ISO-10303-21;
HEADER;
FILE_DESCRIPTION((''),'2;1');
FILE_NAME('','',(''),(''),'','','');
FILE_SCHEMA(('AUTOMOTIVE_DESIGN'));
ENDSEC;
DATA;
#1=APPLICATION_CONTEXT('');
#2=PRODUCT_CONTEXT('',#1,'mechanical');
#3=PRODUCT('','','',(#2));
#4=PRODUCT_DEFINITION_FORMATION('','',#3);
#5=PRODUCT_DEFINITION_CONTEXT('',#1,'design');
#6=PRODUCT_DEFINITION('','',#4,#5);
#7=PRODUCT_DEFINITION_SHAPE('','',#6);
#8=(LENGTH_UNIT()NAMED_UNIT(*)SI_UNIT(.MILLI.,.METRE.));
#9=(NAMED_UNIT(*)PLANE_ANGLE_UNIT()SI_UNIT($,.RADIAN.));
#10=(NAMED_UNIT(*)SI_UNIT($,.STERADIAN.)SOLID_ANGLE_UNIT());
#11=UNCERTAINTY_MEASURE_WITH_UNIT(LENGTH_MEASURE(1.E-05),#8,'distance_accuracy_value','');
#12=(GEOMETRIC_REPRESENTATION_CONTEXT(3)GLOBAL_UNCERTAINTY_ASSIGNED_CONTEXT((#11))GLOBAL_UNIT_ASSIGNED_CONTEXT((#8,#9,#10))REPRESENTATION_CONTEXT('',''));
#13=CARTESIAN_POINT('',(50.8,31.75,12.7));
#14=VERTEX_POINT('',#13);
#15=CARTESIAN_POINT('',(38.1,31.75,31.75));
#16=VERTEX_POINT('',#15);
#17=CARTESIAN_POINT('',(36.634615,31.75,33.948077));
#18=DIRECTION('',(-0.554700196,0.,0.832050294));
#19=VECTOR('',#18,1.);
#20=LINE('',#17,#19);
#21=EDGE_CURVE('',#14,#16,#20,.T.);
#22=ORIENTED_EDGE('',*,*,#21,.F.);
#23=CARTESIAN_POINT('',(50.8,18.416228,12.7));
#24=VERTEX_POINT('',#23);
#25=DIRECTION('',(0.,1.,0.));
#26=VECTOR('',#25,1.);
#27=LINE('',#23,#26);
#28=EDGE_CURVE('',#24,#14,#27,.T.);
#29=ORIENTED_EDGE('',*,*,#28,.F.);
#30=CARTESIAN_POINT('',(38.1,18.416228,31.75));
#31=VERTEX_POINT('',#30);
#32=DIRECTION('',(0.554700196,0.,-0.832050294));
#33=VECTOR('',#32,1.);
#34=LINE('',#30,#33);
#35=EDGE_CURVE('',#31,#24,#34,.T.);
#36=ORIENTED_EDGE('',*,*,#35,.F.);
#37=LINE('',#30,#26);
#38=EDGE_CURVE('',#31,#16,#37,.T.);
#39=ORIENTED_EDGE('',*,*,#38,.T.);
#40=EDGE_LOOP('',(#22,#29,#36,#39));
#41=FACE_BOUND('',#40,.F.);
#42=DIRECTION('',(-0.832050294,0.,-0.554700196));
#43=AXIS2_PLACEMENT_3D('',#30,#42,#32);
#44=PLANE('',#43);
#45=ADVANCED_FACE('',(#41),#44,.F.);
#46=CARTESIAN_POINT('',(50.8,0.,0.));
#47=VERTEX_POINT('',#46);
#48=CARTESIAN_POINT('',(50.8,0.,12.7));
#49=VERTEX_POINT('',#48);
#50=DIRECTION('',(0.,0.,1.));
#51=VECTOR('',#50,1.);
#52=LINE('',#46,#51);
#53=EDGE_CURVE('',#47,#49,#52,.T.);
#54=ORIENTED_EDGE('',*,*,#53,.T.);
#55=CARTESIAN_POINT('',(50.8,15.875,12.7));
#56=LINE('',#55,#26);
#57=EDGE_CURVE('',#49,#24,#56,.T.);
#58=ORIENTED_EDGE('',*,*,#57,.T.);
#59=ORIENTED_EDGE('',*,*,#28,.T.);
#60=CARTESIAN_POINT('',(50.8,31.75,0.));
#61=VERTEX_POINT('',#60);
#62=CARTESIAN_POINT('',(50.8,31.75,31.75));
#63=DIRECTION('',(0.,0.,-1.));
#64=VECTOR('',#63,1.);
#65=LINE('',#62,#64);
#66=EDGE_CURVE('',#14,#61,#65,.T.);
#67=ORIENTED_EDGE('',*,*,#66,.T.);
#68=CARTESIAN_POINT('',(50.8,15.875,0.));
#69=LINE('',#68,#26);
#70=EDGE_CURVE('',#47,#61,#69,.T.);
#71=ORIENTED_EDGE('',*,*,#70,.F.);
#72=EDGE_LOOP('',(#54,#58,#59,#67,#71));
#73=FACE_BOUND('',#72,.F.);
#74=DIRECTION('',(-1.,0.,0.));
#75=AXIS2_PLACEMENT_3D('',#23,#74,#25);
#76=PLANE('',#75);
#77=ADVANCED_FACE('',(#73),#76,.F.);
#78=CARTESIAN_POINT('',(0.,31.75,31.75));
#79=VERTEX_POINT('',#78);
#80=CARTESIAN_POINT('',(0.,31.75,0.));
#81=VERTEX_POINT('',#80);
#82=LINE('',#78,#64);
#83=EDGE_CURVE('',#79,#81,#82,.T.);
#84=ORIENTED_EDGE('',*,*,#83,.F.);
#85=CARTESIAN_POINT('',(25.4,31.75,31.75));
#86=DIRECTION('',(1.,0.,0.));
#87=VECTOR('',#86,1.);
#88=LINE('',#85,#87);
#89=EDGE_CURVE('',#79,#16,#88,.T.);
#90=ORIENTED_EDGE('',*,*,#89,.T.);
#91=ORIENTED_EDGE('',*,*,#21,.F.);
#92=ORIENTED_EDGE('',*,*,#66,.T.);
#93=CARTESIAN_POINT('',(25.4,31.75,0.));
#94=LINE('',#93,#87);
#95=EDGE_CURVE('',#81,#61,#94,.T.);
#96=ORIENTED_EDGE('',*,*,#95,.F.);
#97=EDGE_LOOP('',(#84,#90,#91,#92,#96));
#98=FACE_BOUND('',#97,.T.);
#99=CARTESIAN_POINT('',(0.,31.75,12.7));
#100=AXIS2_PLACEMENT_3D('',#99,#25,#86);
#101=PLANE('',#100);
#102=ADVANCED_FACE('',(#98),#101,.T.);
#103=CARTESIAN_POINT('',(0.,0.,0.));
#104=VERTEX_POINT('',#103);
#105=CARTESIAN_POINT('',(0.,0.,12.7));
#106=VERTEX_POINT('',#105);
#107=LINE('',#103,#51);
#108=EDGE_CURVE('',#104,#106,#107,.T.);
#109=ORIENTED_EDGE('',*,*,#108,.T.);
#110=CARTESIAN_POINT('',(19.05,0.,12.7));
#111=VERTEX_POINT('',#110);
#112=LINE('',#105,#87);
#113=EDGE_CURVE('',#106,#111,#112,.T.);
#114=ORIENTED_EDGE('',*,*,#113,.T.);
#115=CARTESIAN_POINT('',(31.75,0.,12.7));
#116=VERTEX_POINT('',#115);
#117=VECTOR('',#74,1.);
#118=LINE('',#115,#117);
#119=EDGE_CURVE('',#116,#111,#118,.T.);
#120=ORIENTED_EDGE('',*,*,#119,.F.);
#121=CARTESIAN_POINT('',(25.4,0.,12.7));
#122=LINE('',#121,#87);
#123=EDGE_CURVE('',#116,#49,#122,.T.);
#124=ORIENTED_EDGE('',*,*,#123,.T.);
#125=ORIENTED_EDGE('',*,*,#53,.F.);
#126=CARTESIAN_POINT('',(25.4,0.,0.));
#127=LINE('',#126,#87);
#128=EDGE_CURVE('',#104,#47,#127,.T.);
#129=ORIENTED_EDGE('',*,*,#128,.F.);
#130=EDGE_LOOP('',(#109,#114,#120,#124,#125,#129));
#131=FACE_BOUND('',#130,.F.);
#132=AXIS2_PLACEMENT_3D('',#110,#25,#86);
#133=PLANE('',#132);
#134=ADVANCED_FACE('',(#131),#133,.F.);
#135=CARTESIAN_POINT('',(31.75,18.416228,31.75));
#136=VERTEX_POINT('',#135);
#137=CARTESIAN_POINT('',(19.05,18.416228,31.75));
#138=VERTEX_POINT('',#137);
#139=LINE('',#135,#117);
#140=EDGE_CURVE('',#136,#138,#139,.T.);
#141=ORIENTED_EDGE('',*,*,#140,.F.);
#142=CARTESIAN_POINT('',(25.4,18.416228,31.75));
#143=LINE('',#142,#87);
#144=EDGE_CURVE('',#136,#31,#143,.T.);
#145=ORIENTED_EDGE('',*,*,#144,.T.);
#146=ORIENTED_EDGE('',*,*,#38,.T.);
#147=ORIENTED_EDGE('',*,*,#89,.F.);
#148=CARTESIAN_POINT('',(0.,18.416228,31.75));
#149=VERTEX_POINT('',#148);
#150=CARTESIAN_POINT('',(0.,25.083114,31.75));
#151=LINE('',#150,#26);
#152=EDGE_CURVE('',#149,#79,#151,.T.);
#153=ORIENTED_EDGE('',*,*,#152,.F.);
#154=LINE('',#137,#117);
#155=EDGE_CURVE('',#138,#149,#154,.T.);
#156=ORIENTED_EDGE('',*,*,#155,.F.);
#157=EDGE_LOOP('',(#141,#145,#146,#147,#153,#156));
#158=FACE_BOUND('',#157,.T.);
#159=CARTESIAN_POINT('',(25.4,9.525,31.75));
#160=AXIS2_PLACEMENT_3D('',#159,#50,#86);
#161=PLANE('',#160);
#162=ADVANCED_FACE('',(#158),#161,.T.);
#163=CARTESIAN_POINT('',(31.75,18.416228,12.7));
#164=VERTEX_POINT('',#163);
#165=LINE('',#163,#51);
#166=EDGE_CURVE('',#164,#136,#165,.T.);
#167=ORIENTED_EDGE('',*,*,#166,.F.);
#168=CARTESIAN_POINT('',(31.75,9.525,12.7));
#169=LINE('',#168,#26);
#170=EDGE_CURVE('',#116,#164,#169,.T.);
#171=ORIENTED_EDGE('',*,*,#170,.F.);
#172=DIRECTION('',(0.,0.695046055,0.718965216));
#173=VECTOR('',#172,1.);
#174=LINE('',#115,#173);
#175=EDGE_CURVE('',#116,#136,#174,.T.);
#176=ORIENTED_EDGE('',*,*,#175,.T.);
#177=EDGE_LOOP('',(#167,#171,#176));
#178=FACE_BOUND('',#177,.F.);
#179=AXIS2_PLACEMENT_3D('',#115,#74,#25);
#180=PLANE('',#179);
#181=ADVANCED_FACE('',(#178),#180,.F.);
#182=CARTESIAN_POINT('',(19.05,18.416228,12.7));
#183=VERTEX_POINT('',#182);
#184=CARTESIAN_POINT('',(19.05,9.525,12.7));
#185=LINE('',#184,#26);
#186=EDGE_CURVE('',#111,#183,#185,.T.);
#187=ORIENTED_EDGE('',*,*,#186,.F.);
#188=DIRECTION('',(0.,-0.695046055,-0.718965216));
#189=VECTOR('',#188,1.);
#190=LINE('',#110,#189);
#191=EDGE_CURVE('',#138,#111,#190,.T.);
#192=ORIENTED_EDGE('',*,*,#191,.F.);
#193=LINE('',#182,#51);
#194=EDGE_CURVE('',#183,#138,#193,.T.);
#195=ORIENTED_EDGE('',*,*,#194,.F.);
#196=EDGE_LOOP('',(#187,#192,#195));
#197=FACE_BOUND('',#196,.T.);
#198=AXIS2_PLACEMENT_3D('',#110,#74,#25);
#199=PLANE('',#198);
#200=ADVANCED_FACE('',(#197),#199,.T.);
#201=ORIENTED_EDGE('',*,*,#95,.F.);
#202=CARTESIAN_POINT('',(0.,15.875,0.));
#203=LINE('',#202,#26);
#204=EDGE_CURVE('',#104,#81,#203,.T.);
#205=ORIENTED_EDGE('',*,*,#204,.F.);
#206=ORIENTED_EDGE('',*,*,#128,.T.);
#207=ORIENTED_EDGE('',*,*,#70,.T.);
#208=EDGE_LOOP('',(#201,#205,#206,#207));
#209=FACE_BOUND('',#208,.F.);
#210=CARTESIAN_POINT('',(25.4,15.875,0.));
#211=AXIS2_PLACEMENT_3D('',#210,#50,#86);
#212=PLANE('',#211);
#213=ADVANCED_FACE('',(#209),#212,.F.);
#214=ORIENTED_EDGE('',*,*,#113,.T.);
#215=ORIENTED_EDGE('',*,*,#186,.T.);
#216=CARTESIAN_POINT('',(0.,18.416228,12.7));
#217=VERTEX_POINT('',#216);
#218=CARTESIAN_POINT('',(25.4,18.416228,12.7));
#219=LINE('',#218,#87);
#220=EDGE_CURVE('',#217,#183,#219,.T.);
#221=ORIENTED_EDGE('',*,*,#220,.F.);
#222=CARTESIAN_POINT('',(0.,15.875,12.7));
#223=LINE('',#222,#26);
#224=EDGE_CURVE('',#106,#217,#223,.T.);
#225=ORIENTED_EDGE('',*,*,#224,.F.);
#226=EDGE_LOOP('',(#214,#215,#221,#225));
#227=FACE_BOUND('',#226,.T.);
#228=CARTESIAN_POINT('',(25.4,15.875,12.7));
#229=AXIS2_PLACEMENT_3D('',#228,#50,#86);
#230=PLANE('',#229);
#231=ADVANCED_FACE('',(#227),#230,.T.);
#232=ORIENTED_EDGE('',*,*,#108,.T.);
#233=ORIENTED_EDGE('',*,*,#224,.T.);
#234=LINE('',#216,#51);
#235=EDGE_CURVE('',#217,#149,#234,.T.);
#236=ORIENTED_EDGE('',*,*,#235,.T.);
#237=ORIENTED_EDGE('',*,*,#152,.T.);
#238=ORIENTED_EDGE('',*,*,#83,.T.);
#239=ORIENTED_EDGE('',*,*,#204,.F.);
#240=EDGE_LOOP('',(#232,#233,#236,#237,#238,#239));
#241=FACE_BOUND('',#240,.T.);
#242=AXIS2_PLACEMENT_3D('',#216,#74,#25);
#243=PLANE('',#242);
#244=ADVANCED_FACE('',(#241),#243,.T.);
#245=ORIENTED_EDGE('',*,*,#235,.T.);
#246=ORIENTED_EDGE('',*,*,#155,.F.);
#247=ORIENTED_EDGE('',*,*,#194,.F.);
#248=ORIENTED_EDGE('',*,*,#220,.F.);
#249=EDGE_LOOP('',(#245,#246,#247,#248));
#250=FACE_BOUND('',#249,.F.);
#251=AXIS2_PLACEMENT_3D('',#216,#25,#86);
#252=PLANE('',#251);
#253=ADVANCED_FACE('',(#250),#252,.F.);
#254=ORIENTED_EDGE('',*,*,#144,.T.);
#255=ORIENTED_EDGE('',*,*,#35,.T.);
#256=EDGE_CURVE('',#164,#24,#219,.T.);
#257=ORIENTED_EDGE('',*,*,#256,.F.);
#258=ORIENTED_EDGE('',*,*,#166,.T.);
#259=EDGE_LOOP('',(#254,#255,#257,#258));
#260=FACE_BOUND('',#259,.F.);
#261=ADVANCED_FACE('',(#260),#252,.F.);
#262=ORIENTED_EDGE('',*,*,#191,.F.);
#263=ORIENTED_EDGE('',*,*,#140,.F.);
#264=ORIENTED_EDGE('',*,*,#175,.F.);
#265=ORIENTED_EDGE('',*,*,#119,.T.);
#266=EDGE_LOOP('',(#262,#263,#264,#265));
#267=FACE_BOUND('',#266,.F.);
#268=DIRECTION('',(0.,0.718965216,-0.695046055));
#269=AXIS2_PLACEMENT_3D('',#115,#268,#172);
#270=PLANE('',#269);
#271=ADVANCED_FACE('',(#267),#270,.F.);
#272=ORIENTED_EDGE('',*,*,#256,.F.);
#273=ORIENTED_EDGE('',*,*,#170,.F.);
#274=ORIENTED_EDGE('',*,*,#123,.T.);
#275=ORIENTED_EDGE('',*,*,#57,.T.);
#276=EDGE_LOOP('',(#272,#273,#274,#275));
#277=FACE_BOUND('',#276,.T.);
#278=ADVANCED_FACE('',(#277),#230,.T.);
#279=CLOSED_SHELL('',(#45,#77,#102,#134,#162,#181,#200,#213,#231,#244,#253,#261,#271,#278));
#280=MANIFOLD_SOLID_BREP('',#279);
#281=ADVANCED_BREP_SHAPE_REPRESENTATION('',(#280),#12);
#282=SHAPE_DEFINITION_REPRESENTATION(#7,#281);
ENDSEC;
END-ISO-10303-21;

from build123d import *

# Parameters (mm, degrees)
F0_W      = 50.8
F0_H      = 31.75
F1_DEPTH  = 12.7
F2_W      = 50.8
F2_H      = 13.333772
F3_DEPTH  = 19.05
F5_DEPTH  = 25.4
F7_W      = 12.7
F7_H      = 19.05
F8_DEPTH  = 19.05
F10_DEPTH = 19.05


with BuildPart() as f1:
    # F0 (on Top) → F1 (new body)
    with BuildSketch(Plane.XY):
        with Locations((25.4, 15.875)):
            Rectangle(F0_W, F0_H)
    extrude(amount=F1_DEPTH)

    # F2 (on face) → F3 (join)
    with BuildSketch(Plane.XY.offset(12.7)):
        with Locations((25.4, 25.083114)):
            Rectangle(F2_W, F2_H)
    extrude(amount=F3_DEPTH)

    # F4 (on face) → F5 (cut)
    with BuildSketch(Plane.XZ.offset(-18.416228)):
        Polygon((38.1, 31.75), (50.8, 12.7), (50.8, 31.75), align=None)
    extrude(amount=-F5_DEPTH, mode=Mode.SUBTRACT)

    # F7 (on face) → F8 (join)
    with BuildSketch(Plane.XY.offset(12.7)):
        with Locations((25.4, 9.525)):
            Rectangle(F7_W, F7_H)
    extrude(amount=F8_DEPTH)

    # F9 (on face) → F10 (cut)
    with BuildSketch(Plane.YZ.offset(31.75)):
        Polygon((0, 12.7), (18.416228, 31.75), (0, 31.75), align=None)
    extrude(amount=-F10_DEPTH, mode=Mode.SUBTRACT)


solid = f1.part
